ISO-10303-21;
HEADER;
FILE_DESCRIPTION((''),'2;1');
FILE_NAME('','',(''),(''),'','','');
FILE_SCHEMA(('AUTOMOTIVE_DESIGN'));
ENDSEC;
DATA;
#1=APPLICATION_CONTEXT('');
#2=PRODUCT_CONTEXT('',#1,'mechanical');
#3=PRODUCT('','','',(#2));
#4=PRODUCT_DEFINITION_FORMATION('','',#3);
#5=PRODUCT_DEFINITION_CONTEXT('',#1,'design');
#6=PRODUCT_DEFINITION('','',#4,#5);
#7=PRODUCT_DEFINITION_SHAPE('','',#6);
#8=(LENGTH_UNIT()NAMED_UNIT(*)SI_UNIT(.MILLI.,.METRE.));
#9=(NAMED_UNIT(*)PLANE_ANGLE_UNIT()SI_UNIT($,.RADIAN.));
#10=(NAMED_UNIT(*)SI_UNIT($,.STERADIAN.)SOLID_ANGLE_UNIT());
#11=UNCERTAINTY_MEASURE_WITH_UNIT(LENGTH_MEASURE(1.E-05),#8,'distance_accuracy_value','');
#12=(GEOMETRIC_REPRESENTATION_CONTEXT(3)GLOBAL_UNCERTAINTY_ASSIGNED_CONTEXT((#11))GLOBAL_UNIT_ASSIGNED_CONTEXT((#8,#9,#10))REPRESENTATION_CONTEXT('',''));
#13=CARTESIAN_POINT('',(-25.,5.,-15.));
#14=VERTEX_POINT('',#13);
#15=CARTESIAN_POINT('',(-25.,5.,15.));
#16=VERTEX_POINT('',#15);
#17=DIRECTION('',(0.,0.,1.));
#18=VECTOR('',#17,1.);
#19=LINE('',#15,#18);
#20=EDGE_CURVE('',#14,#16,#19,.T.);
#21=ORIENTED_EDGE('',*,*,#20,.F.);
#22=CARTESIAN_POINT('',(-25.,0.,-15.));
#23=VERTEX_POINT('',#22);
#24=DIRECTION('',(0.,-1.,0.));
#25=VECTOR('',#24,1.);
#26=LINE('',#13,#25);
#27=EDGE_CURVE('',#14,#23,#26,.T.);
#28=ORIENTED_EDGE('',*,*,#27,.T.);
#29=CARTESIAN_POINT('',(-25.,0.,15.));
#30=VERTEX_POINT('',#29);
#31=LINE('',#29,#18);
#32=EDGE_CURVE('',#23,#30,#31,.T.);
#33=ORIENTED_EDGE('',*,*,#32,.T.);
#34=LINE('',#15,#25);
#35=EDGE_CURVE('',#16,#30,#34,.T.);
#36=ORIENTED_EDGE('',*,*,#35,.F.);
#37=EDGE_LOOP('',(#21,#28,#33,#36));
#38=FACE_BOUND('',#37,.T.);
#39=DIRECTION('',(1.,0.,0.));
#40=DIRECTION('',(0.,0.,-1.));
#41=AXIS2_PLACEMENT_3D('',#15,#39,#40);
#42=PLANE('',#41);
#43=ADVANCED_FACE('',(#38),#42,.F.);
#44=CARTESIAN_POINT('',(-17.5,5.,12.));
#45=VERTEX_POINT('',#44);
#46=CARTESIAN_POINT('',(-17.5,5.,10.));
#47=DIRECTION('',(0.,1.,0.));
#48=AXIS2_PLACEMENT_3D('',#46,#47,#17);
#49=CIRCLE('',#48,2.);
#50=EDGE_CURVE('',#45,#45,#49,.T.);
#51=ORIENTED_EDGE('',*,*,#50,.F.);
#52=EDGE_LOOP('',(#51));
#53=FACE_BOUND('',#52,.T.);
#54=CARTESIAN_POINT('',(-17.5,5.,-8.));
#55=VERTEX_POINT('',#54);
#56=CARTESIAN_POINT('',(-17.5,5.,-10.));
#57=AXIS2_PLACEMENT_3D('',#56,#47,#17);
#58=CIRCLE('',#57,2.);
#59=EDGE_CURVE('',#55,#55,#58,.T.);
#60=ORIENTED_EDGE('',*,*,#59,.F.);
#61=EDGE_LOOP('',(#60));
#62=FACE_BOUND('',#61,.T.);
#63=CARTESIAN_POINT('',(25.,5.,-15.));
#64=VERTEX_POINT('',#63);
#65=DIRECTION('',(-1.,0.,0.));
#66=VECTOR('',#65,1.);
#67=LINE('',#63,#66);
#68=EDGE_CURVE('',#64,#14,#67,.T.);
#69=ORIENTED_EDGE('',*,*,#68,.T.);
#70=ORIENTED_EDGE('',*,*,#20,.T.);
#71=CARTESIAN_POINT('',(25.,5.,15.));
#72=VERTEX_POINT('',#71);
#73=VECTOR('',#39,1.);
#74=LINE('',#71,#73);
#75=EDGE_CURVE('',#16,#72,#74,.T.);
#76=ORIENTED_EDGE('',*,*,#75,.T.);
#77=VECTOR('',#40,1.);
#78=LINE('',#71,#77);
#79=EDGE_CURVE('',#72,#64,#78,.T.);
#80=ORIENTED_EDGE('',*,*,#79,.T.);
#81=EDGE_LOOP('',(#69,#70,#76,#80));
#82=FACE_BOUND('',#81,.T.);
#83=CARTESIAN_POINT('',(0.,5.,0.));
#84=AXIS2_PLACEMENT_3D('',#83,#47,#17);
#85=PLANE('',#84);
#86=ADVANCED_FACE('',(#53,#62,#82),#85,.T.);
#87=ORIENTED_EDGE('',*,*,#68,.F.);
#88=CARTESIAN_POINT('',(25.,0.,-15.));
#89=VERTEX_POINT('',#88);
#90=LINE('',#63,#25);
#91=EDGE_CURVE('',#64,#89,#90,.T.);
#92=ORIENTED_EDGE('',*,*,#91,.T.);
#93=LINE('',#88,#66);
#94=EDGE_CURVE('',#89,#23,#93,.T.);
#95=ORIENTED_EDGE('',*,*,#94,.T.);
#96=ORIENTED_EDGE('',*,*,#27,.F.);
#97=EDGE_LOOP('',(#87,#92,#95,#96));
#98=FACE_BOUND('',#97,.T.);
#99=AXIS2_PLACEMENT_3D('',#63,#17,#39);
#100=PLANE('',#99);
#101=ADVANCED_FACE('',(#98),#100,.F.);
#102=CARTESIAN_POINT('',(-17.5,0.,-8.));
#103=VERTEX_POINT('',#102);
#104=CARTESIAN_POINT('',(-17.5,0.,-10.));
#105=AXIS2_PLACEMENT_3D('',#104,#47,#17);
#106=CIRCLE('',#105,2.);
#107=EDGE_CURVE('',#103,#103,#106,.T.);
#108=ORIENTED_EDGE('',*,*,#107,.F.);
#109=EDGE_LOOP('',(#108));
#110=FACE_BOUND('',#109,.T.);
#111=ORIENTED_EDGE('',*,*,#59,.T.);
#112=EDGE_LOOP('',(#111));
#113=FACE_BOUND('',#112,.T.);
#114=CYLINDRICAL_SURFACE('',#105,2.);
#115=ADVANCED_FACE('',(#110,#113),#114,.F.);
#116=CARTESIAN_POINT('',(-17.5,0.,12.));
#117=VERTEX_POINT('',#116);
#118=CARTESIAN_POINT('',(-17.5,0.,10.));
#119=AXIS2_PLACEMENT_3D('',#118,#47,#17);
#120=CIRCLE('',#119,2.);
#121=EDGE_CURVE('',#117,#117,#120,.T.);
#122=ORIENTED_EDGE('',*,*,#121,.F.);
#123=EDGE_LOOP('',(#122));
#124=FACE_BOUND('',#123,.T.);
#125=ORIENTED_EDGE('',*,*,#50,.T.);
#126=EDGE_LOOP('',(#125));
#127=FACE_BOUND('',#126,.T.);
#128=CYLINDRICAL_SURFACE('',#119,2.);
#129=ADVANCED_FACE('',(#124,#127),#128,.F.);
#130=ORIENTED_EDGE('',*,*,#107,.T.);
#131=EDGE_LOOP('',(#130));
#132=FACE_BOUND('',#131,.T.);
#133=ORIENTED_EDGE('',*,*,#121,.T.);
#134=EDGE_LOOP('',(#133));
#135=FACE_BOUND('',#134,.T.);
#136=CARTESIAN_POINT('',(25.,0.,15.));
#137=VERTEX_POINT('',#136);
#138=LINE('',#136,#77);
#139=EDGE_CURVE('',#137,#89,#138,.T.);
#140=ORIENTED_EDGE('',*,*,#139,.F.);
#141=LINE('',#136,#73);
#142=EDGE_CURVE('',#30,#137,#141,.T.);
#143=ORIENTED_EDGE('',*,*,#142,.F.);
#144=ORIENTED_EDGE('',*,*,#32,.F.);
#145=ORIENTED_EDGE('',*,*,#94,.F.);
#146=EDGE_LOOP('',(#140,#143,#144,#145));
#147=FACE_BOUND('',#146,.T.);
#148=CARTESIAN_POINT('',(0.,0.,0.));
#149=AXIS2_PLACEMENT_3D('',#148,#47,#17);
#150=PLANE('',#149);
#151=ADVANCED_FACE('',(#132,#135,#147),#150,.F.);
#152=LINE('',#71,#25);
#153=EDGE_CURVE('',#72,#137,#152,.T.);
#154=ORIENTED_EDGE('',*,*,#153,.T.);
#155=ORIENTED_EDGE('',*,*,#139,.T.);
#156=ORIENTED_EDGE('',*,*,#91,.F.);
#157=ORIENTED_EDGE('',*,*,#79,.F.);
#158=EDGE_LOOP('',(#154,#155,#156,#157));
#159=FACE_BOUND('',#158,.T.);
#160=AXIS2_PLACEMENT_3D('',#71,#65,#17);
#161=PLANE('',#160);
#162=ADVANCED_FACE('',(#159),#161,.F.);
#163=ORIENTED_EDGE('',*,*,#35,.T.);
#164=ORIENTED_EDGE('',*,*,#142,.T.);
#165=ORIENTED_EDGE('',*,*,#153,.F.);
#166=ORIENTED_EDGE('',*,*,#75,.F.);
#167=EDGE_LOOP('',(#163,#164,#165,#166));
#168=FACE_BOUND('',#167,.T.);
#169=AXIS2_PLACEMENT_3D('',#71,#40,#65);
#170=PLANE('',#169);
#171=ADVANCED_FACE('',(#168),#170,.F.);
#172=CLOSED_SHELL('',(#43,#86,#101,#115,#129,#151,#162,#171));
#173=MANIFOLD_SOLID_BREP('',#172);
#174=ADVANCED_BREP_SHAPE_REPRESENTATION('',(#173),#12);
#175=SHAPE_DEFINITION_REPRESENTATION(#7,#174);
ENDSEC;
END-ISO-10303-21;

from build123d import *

# Parameters (mm, degrees)
SKETCH1_W           = 50
SKETCH1_H           = 30
BOSS_EXTRUDE1_DEPTH = 5
SKETCH2_R           = 2
CUT_EXTRUDE1_DEPTH  = 5


with BuildPart() as part:
    # Sketch1 → Boss-Extrude1 (new body)
    with BuildSketch(Plane(origin=(0, 0, 0), x_dir=(1, 0, 0), z_dir=(0, 1, 0))):
        Rectangle(SKETCH1_W, SKETCH1_H)
    extrude(amount=BOSS_EXTRUDE1_DEPTH)

    # Sketch2 → Cut-Extrude1 (cut)
    with BuildSketch(Plane(origin=(0, 5, 0), x_dir=(1, 0, 0), z_dir=(0, 1, 0))):
        with Locations((-17.5, 10)):
            Circle(SKETCH2_R)
        with Locations((-17.5, -10)):
            Circle(SKETCH2_R)
    extrude(amount=-CUT_EXTRUDE1_DEPTH, mode=Mode.SUBTRACT)


solid = part.part
